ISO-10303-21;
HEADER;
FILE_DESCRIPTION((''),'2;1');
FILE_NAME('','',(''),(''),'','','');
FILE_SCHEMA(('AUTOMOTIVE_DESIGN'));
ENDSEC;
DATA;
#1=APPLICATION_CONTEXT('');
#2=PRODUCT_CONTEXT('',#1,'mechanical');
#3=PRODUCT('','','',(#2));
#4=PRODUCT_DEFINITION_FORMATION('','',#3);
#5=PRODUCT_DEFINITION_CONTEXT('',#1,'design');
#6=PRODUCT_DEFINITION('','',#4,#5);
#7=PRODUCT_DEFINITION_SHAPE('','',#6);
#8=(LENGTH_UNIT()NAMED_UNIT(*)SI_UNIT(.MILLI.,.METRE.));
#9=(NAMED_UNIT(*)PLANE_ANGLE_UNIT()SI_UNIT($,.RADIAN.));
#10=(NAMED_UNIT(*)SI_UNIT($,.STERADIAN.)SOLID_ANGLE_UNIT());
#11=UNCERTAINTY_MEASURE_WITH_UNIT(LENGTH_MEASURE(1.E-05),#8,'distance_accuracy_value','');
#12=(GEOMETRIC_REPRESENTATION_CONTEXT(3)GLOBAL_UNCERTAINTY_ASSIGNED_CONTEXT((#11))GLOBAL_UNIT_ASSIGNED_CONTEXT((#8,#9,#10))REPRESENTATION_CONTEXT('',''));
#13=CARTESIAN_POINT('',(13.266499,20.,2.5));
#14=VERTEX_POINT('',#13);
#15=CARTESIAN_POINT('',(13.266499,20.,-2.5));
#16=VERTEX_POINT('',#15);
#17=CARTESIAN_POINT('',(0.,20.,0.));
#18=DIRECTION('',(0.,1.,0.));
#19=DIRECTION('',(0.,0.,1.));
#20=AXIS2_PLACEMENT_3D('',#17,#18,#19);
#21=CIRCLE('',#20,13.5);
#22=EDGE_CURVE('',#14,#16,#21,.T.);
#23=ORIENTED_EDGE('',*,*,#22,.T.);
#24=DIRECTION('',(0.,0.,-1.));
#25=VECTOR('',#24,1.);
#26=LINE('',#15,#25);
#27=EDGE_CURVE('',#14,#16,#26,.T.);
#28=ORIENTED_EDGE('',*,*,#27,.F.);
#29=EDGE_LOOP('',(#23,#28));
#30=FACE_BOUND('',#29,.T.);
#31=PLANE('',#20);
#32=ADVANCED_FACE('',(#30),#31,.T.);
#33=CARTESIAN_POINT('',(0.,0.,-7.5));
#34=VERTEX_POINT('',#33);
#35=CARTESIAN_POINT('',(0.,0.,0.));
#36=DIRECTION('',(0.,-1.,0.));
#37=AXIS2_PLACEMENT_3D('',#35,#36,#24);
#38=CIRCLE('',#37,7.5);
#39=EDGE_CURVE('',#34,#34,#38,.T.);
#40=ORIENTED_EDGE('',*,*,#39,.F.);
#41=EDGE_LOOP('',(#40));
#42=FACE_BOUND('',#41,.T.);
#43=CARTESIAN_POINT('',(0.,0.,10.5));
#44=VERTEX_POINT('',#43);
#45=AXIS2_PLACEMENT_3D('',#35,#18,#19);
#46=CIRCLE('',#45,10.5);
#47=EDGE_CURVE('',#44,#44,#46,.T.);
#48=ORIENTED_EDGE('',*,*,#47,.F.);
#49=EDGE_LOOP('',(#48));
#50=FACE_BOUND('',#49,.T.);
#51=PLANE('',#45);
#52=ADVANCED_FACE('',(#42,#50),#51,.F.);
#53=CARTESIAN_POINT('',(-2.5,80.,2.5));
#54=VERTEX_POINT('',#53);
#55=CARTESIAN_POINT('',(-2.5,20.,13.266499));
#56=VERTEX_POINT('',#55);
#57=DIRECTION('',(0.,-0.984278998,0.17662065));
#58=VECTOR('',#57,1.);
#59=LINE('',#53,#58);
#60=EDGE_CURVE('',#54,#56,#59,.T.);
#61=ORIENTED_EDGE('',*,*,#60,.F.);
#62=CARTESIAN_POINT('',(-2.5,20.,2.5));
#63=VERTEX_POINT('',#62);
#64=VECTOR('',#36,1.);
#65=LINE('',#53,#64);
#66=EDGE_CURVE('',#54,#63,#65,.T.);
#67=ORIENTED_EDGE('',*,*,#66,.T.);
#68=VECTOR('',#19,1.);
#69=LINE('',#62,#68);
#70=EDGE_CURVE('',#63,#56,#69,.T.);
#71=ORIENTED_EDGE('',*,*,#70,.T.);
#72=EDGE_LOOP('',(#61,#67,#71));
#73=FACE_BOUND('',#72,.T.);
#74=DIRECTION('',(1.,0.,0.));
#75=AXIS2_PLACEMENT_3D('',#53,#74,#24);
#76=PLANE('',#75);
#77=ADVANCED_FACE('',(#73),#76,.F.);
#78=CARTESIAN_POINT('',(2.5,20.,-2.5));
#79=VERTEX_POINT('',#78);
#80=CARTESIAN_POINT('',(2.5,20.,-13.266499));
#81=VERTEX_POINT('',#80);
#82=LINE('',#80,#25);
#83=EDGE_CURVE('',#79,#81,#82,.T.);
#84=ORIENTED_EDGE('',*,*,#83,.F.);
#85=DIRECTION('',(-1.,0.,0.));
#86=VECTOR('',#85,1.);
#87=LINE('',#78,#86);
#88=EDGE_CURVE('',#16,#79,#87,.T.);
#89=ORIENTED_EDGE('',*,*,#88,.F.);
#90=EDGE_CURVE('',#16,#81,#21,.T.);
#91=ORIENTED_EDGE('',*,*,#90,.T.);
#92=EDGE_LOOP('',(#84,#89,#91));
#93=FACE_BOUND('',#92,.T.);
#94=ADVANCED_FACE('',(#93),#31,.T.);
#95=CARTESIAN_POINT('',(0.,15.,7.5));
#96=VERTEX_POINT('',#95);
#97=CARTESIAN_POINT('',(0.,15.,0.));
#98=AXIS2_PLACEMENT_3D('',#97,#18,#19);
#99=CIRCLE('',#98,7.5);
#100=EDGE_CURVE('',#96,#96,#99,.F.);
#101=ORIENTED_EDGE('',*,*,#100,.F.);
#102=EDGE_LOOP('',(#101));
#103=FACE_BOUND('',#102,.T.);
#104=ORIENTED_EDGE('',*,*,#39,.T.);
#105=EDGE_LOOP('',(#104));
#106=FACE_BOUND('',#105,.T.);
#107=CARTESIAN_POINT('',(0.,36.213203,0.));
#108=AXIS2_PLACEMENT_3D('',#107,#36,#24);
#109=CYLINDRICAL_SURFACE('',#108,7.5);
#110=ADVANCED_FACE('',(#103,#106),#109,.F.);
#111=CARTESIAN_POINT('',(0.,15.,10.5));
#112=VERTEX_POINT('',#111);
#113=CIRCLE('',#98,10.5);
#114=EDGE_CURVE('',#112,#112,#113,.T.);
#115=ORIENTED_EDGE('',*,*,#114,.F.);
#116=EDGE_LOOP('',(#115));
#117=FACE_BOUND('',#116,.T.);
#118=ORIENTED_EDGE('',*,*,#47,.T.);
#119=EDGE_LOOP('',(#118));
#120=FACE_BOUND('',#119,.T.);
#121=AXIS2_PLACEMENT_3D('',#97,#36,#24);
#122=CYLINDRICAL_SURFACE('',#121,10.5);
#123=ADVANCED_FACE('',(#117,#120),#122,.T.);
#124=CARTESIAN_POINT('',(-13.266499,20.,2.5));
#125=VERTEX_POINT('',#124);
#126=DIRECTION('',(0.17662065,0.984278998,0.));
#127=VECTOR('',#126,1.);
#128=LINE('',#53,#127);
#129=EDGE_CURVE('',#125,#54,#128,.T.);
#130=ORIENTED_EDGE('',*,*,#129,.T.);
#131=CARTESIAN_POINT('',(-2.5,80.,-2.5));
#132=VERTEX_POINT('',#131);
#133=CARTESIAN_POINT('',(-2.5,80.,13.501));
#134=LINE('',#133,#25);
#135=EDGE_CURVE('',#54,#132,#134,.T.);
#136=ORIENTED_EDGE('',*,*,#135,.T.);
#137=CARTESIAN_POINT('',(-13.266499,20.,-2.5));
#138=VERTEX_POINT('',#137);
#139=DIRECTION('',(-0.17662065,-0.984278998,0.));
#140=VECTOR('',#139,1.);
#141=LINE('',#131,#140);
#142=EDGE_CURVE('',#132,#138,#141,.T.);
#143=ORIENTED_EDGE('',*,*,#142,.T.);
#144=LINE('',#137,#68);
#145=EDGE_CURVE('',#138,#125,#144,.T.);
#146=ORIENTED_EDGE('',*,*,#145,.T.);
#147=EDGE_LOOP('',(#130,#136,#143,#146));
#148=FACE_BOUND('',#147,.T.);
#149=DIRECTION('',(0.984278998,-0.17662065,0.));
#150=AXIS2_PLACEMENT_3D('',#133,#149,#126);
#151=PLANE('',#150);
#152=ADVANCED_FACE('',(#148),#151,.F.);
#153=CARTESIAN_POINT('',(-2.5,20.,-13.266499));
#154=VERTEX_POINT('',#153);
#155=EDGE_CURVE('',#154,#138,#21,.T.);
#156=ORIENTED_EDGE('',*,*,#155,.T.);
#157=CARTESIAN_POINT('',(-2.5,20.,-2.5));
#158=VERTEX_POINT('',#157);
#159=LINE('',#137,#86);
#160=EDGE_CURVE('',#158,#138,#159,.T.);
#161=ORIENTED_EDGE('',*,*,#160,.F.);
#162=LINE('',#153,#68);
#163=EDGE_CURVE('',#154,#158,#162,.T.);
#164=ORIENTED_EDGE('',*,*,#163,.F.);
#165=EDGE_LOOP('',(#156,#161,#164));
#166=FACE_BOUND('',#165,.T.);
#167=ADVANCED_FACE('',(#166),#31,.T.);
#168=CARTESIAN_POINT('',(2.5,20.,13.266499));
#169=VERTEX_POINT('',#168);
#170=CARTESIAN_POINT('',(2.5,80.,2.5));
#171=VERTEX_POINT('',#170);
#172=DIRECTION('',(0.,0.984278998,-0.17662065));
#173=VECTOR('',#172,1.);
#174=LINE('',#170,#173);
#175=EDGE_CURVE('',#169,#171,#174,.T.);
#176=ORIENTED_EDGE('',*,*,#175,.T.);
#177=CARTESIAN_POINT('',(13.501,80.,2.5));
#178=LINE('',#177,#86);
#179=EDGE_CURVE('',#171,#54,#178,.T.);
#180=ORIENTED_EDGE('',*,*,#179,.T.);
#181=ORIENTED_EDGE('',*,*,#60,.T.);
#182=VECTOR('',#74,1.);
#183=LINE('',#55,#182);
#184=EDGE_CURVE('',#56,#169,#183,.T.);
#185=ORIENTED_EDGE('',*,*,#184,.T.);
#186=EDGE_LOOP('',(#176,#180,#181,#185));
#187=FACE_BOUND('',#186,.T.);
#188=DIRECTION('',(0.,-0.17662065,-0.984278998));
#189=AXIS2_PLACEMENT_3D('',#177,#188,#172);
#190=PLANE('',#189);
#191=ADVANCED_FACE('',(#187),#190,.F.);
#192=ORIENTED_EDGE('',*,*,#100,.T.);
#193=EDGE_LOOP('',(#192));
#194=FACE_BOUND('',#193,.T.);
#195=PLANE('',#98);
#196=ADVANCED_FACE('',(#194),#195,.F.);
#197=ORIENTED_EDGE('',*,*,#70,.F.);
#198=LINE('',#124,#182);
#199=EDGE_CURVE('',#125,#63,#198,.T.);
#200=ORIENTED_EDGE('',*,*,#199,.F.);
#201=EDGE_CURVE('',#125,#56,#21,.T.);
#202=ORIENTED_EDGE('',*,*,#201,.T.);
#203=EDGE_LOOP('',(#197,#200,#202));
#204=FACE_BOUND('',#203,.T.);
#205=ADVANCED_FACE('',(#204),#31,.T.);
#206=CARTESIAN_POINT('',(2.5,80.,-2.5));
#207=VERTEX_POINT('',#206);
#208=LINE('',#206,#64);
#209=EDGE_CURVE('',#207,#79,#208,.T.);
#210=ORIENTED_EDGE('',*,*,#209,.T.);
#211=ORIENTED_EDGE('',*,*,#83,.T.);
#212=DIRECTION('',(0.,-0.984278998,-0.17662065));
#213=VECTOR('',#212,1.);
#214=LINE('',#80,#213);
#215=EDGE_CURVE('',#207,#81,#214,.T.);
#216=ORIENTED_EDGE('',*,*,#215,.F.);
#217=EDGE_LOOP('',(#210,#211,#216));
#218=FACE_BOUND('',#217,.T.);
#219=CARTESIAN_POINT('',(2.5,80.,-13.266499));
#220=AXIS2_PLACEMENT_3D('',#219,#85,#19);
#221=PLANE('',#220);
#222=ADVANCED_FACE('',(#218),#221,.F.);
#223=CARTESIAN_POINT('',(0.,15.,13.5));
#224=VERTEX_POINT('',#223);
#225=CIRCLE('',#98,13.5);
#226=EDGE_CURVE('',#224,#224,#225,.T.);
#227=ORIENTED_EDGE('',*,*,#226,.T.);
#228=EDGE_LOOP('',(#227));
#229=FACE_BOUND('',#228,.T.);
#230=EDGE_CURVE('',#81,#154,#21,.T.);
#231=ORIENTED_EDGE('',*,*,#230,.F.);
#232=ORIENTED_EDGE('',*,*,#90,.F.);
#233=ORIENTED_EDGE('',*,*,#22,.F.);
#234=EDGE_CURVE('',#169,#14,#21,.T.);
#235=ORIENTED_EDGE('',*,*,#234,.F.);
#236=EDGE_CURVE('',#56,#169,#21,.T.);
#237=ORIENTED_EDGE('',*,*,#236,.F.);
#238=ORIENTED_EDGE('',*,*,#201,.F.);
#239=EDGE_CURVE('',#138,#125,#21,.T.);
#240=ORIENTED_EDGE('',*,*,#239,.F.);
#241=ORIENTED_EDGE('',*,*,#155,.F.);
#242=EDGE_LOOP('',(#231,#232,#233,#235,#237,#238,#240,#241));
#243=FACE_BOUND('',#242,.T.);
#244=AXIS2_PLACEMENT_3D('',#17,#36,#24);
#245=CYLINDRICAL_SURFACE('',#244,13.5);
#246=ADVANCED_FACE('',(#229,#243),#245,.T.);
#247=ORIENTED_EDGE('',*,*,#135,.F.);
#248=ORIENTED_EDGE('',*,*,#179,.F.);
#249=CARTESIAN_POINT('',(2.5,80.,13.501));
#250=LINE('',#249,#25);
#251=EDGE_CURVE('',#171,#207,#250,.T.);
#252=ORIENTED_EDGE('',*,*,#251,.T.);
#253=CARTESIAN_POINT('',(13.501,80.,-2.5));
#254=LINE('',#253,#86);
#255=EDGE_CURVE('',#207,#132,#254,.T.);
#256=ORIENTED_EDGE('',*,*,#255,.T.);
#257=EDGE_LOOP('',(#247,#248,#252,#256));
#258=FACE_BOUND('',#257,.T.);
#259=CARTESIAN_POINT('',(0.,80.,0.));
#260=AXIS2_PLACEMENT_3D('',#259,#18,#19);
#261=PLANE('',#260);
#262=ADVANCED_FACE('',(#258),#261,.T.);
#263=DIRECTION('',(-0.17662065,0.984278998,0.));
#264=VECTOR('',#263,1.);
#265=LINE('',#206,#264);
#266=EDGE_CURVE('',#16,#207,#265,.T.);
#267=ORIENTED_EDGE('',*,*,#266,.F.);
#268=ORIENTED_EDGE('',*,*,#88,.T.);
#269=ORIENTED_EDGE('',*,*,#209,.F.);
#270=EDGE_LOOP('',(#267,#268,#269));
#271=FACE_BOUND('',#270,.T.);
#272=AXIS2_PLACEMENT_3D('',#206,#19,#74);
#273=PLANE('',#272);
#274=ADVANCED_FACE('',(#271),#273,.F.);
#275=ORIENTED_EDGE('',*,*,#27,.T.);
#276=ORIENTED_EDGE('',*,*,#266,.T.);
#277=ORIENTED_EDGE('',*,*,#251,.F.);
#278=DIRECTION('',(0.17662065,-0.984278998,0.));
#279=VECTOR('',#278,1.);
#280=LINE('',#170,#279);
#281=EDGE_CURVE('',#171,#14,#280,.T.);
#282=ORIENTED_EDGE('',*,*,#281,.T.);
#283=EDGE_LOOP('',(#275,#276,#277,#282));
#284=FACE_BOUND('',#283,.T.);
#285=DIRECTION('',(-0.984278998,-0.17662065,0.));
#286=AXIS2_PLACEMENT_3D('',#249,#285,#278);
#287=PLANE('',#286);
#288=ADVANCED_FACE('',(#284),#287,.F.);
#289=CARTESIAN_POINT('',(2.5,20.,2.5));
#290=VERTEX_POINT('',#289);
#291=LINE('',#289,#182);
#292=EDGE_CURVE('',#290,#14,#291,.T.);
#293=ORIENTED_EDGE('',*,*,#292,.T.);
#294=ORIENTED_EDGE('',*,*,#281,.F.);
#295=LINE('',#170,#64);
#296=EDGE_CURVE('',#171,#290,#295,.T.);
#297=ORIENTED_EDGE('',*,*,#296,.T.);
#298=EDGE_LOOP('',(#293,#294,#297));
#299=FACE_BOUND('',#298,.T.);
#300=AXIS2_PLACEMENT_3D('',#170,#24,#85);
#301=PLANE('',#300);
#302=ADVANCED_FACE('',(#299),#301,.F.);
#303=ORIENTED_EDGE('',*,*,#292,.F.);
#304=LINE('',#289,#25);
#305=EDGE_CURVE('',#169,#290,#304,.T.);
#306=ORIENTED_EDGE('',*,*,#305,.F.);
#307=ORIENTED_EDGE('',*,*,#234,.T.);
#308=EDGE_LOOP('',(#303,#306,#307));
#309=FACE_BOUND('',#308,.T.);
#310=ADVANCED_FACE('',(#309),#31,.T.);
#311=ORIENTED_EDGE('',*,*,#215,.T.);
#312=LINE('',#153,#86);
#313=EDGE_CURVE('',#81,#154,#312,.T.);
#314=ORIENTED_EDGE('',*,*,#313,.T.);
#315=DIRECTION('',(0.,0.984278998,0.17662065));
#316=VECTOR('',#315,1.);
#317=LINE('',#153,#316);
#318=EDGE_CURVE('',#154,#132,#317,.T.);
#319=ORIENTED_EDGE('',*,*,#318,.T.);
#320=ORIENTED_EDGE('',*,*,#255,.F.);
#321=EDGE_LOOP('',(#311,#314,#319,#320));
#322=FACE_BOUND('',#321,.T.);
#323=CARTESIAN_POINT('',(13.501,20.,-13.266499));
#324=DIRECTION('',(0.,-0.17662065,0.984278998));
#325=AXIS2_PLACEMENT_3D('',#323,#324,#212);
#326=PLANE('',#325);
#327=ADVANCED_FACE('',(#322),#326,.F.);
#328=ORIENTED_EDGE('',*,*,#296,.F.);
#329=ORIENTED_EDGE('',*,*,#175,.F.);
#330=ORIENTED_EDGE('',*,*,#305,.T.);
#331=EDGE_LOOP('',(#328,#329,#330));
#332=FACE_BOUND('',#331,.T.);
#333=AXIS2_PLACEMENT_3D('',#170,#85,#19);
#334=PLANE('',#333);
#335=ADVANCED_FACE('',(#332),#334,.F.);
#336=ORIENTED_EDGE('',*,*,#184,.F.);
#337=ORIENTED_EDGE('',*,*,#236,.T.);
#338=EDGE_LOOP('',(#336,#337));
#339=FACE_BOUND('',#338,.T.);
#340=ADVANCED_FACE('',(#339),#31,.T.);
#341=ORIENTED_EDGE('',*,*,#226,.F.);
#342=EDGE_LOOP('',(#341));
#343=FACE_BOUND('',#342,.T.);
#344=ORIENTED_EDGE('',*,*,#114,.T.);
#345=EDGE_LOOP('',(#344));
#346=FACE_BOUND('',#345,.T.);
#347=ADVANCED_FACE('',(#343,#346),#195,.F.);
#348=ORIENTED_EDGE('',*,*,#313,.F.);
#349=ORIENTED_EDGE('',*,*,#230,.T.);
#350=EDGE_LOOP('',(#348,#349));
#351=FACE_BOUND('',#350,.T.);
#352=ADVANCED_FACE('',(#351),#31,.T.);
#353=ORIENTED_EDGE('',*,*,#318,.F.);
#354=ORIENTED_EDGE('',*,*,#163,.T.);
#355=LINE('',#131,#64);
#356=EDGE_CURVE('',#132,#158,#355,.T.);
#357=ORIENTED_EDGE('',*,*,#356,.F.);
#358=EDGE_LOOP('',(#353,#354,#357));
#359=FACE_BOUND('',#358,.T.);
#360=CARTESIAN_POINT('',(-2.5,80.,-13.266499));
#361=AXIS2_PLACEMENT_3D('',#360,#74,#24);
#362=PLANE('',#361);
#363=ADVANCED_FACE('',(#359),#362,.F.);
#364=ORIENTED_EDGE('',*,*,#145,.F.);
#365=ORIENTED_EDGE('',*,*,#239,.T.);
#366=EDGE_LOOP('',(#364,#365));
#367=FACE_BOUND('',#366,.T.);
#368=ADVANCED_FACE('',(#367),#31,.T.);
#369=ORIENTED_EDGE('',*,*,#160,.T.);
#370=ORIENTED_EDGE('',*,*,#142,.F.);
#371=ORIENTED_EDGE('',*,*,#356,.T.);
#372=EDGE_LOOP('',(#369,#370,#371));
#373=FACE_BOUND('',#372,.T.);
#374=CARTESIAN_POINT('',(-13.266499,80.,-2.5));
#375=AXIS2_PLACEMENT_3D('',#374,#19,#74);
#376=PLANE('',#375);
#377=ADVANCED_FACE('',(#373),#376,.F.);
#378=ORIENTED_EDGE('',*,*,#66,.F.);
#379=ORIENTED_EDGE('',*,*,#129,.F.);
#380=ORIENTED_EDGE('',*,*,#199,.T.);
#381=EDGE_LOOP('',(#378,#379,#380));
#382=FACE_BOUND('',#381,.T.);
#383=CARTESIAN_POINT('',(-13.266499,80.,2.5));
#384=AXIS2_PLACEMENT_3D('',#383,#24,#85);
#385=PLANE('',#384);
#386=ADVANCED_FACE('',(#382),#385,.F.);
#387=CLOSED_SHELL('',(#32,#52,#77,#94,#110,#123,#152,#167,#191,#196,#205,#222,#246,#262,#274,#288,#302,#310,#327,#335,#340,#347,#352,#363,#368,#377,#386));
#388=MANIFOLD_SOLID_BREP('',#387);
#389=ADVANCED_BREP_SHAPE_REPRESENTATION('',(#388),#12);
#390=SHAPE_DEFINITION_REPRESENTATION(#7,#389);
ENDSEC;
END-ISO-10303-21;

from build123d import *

# Parameters (mm, degrees)
SKETCH1_R           = 10.5
BOSS_EXTRUDE1_DEPTH = 15
SKETCH6_R           = 13.5
BOSS_EXTRUDE4_DEPTH = 5
BOSS_EXTRUDE6_DEPTH = 60
SKETCH10_R          = 7.5
CUT_EXTRUDE5_DEPTH  = 15
CUT_EXTRUDE6_REACH  = 18
CUT_EXTRUDE7_REACH  = 18


with BuildPart() as part:
    # Sketch1 → Boss-Extrude1 (new body)
    with BuildSketch(Plane(origin=(0, 0, 0), x_dir=(1, 0, 0), z_dir=(0, 1, 0))):
        Circle(SKETCH1_R)
    extrude(amount=BOSS_EXTRUDE1_DEPTH)

    # Sketch6 → Boss-Extrude4 (add)
    with BuildSketch(Plane(origin=(0, 15, 0), x_dir=(1, 0, 0), z_dir=(0, 1, 0))):
        Circle(SKETCH6_R)
    extrude(amount=BOSS_EXTRUDE4_DEPTH)

    # Sketch12 → Boss-Extrude6 (add)
    with BuildSketch(Plane(origin=(0, 20, 0), x_dir=(1, 0, 0), z_dir=(0, 1, 0))):
        Polygon((2.5, -2.5), (13.266499161, -2.5), (13.266499161, 2.5), (2.5, 2.5), (2.5, 13.266499161), (-2.5, 13.266499161), (-2.5, 2.5), (-13.266499161, 2.5), (-13.266499161, -2.5), (-2.5, -2.5), (-2.5, -13.266499161), (2.5, -13.266499161), align=None)
    extrude(amount=BOSS_EXTRUDE6_DEPTH)

    # Sketch10 → Cut-Extrude5 (cut)
    with BuildSketch(Plane.XZ):
        Circle(SKETCH10_R)
    extrude(amount=-CUT_EXTRUDE5_DEPTH, mode=Mode.SUBTRACT)

    # Sketch17 → Cut-Extrude6 (cut, up to next)
    with BuildSketch(Plane.ZY.offset(2.5), mode=Mode.PRIVATE) as cut_extrude6_sk1:
        Polygon((-13.266499161, 80), (-13.266499161, 20), (-2.5, 80), align=None)
    cut_extrude6_tool1 = extrude(cut_extrude6_sk1.sketch, amount=-CUT_EXTRUDE6_REACH, mode=Mode.PRIVATE) & part.part
    add(cut_extrude6_tool1.solids().sort_by_distance((-2.5, 60, -9.677666))[0], mode=Mode.SUBTRACT)
    # Sketch17 → Cut-Extrude6 (cut, up to next)
    with BuildSketch(Plane.ZY.offset(2.5), mode=Mode.PRIVATE) as cut_extrude6_sk2:
        Polygon((2.5, 80), (13.266499161, 20), (13.266499161, 80), align=None)
    cut_extrude6_tool2 = extrude(cut_extrude6_sk2.sketch, amount=-CUT_EXTRUDE6_REACH, mode=Mode.PRIVATE) & part.part
    add(cut_extrude6_tool2.solids().sort_by_distance((-2.5, 60, 9.677666))[0], mode=Mode.SUBTRACT)

    # Sketch18 → Cut-Extrude7 (cut, up to next)
    with BuildSketch(Plane(origin=(0, 0, -2.5), x_dir=(-1, 0, 0), z_dir=(0, 0, -1)), mode=Mode.PRIVATE) as cut_extrude7_sk1:
        Polygon((2.5, 80), (13.266499161, 20), (13.266499161, 66.486374955), (13.266499161, 80), align=None)
    cut_extrude7_tool1 = extrude(cut_extrude7_sk1.sketch, amount=-CUT_EXTRUDE7_REACH, mode=Mode.PRIVATE) & part.part
    add(cut_extrude7_tool1.solids().sort_by_distance((-9.677666, 60, -2.5))[0], mode=Mode.SUBTRACT)
    # Sketch18 → Cut-Extrude7 (cut, up to next)
    with BuildSketch(Plane(origin=(0, 0, -2.5), x_dir=(-1, 0, 0), z_dir=(0, 0, -1)), mode=Mode.PRIVATE) as cut_extrude7_sk2:
        Polygon((-2.5, 80), (-13.266499161, 20), (-13.266499161, 80), align=None)
    cut_extrude7_tool2 = extrude(cut_extrude7_sk2.sketch, amount=-CUT_EXTRUDE7_REACH, mode=Mode.PRIVATE) & part.part
    add(cut_extrude7_tool2.solids().sort_by_distance((9.677666, 60, -2.5))[0], mode=Mode.SUBTRACT)


solid = part.part
